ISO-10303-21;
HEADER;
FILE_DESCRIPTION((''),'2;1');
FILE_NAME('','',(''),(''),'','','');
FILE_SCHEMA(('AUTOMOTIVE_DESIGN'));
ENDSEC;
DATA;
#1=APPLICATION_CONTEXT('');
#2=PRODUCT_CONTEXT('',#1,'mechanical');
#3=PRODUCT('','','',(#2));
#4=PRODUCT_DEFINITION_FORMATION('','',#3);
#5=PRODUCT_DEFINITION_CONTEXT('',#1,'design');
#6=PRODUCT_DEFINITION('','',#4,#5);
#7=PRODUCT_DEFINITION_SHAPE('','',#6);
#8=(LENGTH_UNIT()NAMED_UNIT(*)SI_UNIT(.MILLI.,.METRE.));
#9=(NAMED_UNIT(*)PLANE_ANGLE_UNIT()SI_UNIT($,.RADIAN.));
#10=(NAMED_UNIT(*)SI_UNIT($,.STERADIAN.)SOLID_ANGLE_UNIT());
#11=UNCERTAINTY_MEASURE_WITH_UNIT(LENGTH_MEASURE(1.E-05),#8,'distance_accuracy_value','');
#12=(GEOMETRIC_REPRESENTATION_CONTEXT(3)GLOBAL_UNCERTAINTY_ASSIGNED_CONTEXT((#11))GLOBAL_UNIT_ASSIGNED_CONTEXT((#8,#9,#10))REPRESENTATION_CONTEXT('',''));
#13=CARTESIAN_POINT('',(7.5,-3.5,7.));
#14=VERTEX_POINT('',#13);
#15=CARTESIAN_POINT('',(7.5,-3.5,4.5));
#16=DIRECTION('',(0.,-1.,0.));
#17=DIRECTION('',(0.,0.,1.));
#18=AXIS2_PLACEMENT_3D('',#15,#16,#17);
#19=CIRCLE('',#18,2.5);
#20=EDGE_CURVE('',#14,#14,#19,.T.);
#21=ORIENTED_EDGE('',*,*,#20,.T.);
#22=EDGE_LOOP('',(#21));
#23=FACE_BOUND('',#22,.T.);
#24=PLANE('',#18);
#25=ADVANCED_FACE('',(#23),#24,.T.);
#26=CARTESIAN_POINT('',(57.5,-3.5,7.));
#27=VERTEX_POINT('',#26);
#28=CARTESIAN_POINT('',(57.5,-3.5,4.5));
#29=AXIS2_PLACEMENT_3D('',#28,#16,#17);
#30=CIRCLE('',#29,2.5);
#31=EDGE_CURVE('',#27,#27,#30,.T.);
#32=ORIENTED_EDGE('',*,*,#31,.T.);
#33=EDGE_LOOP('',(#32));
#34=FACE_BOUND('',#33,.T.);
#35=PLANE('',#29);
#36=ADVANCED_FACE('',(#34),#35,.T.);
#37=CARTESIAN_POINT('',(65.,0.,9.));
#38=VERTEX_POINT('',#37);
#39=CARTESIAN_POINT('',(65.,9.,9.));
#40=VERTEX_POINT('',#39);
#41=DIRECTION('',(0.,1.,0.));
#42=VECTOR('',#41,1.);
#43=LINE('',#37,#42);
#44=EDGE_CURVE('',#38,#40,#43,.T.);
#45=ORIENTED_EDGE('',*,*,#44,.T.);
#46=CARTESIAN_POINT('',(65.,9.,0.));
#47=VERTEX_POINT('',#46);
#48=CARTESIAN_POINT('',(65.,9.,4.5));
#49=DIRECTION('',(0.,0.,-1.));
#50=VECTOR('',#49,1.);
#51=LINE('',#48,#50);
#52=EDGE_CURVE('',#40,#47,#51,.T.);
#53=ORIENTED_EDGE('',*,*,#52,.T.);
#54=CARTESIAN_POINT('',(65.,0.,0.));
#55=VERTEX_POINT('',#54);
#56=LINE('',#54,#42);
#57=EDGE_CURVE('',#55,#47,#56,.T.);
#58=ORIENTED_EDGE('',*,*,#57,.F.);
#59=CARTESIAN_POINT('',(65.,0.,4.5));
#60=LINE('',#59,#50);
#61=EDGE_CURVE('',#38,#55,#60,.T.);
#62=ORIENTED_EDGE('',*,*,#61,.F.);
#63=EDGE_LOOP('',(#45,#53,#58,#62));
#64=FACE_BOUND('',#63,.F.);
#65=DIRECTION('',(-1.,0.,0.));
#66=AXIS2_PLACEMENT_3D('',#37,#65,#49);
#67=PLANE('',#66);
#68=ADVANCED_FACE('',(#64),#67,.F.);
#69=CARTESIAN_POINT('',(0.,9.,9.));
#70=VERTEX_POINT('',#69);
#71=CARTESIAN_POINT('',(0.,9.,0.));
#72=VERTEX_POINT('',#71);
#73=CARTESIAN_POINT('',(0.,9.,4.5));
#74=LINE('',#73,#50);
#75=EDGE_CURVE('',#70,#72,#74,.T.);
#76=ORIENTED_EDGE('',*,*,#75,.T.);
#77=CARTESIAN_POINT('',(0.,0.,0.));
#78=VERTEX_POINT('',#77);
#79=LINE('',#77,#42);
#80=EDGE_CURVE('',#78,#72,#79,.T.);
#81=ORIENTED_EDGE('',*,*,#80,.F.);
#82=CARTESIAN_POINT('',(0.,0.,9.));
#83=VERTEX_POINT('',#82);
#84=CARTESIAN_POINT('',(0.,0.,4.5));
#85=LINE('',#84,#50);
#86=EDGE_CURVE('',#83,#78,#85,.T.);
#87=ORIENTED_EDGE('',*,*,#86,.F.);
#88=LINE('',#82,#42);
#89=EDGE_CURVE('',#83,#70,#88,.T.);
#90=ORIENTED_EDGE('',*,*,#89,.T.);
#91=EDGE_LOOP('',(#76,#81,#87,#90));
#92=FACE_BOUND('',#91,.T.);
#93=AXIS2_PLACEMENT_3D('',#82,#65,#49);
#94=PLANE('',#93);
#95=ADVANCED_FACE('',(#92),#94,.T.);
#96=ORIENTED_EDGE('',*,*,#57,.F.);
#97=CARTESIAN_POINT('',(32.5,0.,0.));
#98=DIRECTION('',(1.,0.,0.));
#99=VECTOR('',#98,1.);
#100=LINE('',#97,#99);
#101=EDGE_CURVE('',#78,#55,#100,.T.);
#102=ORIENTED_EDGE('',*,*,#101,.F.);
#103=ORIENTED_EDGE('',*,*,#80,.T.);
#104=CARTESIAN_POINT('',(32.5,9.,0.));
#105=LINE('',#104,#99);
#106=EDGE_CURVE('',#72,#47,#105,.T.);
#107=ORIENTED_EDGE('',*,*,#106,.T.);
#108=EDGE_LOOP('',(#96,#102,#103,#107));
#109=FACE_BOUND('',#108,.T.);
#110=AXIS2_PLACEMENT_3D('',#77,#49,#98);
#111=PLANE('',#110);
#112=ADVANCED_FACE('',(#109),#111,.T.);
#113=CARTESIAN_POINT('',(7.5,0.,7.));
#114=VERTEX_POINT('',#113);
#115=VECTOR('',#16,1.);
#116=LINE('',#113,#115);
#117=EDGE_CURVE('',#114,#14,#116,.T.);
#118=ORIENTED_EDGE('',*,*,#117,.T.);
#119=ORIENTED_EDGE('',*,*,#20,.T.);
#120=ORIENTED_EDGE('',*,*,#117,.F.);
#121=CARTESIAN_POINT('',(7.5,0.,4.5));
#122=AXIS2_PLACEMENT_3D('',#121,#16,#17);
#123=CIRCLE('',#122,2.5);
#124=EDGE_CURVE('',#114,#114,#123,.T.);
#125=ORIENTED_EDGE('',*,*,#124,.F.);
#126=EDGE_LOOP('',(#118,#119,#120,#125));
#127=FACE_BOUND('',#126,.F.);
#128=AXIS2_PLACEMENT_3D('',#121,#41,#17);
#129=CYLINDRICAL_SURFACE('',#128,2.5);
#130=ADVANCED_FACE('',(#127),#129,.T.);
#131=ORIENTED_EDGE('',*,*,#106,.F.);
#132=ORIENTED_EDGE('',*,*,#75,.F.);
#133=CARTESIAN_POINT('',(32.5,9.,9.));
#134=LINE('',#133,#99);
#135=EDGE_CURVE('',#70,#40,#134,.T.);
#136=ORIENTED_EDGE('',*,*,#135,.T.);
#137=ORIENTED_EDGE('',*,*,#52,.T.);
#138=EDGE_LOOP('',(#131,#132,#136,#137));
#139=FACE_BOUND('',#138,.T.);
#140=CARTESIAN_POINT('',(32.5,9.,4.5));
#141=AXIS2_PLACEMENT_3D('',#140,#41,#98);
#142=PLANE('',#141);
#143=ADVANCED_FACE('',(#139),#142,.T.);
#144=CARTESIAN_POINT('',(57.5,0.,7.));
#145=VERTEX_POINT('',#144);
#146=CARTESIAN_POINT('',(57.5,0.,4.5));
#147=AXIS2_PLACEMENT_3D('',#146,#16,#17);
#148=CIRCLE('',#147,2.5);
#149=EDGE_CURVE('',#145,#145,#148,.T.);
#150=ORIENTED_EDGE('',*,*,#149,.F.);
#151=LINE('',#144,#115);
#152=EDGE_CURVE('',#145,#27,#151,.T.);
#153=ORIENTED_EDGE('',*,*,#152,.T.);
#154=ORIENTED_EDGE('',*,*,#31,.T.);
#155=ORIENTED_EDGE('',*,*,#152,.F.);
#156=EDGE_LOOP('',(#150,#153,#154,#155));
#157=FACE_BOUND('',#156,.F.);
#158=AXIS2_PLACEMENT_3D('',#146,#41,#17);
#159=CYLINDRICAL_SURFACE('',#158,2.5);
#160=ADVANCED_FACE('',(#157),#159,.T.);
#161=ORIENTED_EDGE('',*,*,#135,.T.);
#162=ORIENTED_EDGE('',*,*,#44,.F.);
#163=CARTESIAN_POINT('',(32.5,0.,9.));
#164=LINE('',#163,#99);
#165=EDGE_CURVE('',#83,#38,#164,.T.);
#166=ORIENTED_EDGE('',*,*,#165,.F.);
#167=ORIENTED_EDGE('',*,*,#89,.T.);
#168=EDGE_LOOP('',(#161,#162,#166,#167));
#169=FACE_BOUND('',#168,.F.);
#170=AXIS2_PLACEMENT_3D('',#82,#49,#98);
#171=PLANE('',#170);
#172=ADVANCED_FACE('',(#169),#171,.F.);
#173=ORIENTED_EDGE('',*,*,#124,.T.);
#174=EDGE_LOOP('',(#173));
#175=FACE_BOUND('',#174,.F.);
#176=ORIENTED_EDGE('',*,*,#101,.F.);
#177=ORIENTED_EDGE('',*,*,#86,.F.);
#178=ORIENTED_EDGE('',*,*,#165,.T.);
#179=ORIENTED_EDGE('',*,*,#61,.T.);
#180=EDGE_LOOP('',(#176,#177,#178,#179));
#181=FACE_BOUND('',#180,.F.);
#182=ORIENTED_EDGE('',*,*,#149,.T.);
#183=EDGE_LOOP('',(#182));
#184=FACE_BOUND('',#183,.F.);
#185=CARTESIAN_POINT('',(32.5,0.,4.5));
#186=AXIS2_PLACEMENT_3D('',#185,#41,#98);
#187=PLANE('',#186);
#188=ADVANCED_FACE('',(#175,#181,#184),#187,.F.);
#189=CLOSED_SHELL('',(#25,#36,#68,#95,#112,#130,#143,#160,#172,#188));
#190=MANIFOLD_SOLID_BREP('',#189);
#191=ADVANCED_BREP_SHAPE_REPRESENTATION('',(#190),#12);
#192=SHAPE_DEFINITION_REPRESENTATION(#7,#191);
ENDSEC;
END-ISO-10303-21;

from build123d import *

# Parameters (mm, degrees)
SKETCH1_W           = 65
SKETCH1_H           = 9
BOSS_EXTRUDE1_DEPTH = 9
SKETCH2_R           = 2.5
BOSS_EXTRUDE2_DEPTH = 3.5


with BuildPart() as part:
    # Sketch1 → Boss-Extrude1 (new body)
    with BuildSketch(Plane(origin=(0, 0, 0), x_dir=(1, 0, 0), z_dir=(0, 1, 0))):
        with Locations((32.5, -4.5)):
            Rectangle(SKETCH1_W, SKETCH1_H)
    extrude(amount=BOSS_EXTRUDE1_DEPTH)

    # Sketch2 → Boss-Extrude2 (add)
    with BuildSketch(Plane.XZ):
        with Locations(Location((7.5, 4.5, 0), (0, 0, 90))):  # turned: the seam where the file's is
            Circle(SKETCH2_R)
        with Locations(Location((57.5, 4.5, 0), (0, 0, 90))):  # turned: the seam where the file's is
            Circle(SKETCH2_R)
    extrude(amount=BOSS_EXTRUDE2_DEPTH)


solid = part.part
